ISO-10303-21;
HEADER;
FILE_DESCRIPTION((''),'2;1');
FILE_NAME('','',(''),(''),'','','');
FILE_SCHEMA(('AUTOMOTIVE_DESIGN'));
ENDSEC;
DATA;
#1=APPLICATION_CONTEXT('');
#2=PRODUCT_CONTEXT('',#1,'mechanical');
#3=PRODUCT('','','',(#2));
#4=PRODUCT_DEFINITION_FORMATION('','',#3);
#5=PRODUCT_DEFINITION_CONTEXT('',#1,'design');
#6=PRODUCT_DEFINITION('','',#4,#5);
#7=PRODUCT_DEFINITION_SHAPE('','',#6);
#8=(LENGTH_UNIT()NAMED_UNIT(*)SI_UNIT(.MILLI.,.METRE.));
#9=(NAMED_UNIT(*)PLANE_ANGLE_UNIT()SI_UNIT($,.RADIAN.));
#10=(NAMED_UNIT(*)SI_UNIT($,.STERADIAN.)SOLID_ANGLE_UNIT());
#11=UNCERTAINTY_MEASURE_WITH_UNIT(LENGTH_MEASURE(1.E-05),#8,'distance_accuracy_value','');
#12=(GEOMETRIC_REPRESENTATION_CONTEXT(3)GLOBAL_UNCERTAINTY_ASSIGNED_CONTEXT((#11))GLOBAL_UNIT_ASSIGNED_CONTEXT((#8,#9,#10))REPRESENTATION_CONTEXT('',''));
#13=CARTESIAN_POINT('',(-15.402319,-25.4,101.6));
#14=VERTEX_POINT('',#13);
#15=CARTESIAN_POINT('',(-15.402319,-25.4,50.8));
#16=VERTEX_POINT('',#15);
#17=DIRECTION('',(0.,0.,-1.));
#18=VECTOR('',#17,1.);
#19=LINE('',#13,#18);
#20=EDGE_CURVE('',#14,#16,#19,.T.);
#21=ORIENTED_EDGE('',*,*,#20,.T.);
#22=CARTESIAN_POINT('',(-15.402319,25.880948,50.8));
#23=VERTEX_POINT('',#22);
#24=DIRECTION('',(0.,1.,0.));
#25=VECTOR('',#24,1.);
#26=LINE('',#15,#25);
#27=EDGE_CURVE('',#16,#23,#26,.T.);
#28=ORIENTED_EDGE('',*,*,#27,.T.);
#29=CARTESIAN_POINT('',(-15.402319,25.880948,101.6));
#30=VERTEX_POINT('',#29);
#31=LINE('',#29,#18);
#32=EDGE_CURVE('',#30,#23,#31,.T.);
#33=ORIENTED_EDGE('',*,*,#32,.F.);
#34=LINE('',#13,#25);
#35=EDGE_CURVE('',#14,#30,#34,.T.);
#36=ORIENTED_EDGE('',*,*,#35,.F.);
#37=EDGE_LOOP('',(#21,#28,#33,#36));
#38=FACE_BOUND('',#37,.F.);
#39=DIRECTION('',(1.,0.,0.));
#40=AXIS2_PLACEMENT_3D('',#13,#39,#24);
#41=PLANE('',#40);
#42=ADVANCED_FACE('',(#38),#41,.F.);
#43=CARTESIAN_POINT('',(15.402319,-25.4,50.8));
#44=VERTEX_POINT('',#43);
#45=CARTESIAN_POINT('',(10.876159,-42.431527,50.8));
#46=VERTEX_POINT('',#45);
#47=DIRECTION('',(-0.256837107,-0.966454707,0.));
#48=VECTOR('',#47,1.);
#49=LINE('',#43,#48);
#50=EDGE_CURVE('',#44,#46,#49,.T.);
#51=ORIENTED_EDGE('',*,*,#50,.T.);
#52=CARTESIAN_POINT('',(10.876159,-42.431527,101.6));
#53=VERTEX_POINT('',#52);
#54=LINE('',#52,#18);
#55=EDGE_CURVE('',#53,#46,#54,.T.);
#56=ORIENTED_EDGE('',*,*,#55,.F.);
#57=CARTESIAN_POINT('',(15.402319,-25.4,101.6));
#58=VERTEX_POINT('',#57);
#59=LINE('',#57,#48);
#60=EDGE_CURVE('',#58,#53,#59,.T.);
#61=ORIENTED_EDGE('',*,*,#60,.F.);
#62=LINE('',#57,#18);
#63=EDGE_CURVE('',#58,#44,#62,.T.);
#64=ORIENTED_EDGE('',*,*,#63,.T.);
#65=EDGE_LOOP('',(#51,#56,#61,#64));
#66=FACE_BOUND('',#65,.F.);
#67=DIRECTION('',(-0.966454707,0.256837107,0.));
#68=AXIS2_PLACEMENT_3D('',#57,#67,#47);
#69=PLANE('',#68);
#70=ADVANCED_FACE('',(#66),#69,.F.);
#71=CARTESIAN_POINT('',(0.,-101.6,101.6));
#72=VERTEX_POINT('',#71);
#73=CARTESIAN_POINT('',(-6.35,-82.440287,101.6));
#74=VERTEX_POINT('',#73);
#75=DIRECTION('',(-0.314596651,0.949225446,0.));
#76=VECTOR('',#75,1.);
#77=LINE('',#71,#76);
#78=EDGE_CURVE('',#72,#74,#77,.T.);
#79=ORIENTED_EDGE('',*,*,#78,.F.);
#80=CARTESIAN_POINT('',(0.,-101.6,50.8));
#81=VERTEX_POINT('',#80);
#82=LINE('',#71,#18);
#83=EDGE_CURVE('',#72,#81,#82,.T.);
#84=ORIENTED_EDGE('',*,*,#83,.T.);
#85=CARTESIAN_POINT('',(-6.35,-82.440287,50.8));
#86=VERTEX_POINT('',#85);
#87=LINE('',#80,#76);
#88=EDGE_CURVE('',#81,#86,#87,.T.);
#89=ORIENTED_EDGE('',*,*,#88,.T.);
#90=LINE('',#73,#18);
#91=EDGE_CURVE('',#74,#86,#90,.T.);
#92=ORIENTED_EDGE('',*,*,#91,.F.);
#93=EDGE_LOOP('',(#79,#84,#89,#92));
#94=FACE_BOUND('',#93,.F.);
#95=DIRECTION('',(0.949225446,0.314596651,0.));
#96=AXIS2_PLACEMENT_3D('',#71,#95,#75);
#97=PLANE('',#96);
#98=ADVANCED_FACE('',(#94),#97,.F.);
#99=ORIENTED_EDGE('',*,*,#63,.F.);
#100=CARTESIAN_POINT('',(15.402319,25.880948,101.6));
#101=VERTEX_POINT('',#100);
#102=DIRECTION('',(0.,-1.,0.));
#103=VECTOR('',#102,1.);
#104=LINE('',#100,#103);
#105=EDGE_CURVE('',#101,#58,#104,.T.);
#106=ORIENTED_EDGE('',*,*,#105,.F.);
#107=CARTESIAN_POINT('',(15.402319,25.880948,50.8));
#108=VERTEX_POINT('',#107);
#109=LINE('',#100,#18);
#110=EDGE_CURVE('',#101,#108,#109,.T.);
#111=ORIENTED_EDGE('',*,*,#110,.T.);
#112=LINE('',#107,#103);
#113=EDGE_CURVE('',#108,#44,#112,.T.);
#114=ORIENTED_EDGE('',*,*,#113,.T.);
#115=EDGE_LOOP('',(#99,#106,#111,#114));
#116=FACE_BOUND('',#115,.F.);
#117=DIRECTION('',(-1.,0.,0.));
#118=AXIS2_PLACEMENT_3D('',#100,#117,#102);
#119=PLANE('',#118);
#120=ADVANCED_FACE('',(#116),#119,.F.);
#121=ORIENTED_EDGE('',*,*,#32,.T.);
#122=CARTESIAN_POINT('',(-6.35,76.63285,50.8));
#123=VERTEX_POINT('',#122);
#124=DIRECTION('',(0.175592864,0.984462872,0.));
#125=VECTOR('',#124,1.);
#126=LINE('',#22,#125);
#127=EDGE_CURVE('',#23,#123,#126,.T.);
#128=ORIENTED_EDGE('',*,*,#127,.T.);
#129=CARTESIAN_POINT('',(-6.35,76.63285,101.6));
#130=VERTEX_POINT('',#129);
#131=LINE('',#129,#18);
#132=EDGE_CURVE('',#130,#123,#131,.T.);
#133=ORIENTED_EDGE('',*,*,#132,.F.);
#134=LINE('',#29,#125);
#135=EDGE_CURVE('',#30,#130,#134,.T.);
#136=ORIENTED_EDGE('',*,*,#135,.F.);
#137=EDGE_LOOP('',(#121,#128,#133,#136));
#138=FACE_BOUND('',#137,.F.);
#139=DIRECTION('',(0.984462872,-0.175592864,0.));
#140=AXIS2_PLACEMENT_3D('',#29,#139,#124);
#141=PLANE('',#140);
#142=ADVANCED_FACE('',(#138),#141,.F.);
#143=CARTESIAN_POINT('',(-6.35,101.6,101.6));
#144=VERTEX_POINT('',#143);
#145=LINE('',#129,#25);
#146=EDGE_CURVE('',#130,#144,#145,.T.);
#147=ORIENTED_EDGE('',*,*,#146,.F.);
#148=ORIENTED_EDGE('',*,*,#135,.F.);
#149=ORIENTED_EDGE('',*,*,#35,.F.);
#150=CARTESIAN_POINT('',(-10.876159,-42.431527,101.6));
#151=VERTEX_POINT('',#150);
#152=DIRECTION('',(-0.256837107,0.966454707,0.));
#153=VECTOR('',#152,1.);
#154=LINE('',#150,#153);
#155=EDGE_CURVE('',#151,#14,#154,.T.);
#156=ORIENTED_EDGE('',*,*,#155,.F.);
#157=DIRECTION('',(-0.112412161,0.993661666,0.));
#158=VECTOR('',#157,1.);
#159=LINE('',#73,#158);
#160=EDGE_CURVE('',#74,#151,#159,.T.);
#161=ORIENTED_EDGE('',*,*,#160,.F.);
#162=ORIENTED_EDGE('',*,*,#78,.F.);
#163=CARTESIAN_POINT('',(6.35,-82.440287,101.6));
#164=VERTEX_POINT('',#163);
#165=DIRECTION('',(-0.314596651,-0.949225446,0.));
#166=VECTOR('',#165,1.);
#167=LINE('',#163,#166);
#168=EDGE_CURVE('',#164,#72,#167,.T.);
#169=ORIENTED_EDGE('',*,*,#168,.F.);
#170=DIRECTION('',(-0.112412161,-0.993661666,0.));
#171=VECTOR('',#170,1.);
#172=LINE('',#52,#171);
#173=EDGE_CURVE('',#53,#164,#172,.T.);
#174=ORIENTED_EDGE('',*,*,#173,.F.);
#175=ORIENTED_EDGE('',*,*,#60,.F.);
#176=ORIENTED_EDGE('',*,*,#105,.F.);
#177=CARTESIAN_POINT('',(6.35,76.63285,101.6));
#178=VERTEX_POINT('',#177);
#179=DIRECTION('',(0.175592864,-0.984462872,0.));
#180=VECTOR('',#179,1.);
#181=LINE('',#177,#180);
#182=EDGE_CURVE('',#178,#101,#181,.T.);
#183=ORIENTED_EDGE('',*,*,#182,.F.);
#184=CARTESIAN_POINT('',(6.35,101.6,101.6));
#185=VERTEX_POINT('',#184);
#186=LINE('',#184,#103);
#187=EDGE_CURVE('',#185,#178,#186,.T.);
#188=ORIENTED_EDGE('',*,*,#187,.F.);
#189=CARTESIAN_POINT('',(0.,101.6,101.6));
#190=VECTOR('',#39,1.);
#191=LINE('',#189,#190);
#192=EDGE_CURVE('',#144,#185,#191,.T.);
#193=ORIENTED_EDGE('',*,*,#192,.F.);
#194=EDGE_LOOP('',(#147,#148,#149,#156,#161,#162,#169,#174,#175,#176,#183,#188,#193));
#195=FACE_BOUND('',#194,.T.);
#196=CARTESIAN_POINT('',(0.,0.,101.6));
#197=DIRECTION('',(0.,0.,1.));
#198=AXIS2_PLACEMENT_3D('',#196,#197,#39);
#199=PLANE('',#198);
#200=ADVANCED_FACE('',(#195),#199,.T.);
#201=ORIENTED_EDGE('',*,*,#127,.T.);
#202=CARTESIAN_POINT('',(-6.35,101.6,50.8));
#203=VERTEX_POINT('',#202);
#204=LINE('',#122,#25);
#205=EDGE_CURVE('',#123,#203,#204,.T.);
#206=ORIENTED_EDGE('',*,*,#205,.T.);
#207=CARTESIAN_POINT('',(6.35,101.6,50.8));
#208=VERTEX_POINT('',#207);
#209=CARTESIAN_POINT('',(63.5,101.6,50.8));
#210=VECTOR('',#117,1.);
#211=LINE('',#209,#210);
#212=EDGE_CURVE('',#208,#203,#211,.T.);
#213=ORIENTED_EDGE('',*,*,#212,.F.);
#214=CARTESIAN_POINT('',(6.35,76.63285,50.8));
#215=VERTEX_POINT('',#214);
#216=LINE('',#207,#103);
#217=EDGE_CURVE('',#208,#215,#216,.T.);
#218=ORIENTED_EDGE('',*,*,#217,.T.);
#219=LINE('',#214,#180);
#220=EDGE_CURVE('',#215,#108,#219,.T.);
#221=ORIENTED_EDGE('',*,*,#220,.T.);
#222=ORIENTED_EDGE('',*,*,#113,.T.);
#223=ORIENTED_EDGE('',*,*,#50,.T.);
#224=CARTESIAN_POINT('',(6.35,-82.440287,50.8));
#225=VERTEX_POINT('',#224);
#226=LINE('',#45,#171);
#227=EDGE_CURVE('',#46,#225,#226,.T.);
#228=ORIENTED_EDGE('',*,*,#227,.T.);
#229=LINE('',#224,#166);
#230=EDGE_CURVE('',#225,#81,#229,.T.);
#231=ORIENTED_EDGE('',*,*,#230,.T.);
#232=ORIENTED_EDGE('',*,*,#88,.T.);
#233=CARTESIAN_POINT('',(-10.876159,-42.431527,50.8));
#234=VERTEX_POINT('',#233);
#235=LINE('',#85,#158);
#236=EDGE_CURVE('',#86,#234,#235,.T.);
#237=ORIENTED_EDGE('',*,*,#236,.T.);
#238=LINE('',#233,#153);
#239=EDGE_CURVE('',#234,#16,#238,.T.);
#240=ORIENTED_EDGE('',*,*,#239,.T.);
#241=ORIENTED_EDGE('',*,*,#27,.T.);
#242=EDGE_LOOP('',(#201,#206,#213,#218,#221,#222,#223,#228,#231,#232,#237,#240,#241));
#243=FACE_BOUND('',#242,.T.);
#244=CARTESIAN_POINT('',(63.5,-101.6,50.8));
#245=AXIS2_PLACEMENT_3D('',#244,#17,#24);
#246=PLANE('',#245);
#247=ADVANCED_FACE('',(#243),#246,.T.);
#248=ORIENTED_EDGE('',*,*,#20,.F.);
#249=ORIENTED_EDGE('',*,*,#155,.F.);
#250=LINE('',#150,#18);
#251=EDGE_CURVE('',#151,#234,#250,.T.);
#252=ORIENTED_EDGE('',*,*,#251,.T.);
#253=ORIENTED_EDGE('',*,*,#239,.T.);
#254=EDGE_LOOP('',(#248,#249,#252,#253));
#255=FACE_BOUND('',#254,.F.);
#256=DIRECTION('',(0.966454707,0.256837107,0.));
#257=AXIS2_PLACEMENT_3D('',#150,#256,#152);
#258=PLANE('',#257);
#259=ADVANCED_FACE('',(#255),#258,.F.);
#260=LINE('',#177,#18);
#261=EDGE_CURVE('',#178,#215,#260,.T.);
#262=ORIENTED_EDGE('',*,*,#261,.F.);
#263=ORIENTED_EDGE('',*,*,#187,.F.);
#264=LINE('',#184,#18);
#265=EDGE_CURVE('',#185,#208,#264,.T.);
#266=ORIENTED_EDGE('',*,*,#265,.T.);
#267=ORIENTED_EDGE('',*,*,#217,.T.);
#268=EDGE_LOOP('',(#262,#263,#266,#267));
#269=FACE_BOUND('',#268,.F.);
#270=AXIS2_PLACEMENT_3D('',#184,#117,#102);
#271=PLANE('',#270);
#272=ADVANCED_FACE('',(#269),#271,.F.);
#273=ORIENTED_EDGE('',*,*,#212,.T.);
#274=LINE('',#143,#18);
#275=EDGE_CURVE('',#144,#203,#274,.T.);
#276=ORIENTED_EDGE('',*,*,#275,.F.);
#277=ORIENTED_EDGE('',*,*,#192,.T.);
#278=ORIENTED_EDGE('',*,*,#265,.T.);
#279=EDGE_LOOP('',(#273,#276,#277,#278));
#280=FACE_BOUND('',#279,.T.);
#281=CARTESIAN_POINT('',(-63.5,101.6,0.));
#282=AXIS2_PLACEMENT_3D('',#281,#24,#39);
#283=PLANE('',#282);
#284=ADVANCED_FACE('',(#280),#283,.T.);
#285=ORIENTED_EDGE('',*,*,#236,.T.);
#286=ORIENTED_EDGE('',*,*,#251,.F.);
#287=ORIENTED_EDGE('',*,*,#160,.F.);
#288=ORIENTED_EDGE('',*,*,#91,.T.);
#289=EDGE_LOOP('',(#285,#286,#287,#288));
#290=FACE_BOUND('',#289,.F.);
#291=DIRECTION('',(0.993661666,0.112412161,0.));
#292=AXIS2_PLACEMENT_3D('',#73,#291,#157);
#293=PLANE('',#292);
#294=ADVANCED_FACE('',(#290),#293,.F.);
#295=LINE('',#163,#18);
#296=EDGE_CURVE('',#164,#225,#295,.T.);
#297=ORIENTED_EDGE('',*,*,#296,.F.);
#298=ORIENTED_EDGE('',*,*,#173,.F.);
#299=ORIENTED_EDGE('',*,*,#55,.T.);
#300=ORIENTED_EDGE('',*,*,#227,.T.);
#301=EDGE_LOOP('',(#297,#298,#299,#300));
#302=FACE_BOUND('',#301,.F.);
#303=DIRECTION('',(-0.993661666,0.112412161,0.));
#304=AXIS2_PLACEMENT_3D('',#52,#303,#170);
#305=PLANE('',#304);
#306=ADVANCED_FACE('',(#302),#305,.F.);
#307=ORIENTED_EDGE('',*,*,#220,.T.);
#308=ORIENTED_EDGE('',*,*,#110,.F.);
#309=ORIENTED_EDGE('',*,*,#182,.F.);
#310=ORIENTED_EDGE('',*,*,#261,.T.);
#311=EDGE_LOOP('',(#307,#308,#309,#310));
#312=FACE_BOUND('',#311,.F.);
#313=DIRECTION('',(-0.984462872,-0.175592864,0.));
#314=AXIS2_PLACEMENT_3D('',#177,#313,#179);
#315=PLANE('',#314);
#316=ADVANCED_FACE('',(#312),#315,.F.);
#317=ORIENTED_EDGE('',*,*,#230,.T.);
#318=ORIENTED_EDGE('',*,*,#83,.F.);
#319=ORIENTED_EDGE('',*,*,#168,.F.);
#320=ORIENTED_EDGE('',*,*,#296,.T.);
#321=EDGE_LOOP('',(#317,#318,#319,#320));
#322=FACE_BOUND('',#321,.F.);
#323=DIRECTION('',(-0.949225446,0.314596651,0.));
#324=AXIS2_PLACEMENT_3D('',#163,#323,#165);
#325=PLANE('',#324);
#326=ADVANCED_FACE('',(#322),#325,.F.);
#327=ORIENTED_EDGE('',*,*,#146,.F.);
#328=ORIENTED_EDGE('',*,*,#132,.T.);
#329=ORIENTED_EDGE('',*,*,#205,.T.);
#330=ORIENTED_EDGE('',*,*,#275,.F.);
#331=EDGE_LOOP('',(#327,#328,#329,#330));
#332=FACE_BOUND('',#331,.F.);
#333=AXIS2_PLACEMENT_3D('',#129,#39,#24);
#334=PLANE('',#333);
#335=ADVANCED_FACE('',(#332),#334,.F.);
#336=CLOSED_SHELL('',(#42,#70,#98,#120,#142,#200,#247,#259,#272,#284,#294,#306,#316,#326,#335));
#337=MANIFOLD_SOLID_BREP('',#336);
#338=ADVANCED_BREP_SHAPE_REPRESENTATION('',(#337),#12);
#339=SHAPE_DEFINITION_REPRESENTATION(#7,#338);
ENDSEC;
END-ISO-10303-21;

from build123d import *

# Parameters (mm, degrees)
F0_W     = 127
F0_H     = 203.2
F1_DEPTH = 101.6
F3_DEPTH = 50.8
F4_DEPTH = 127.001


with BuildPart() as f1:
    # F0 (on Top) → F1 (new body)
    with BuildSketch(Plane.XY):
        Rectangle(F0_W, F0_H)
    extrude(amount=F1_DEPTH)

    # F2 (on face) → F3 (cut)
    with BuildSketch(Plane.XY.offset(101.6)):
        Polygon((-6.35, -82.4402868748), (-10.8761594549, -42.4315269709), (-15.4023189098, -25.4), (-15.4023189098, 25.8809477091), (-6.35, 76.6328498721), (-6.35, 101.6), (-63.5, 101.6), (-63.5, -101.6), (0, -101.6), align=None)
        Polygon((15.4023189098, -25.4), (10.8761594549, -42.4315269709), (6.35, -82.4402868748), (0, -101.6), (63.5, -101.6), (63.5, 101.6), (6.35, 101.6), (6.35, 76.6328498721), (15.4023189098, 25.8809477091), align=None)
    extrude(amount=-F3_DEPTH, mode=Mode.SUBTRACT)

    # F4 (cut, through all): a face of the model
    f4_faces = [f1.faces().sort_by_distance(p)[0] for p in [
        (63.5, 0, 25.4),
    ]]
    extrude(f4_faces, amount=-F4_DEPTH, mode=Mode.SUBTRACT)


solid = f1.part
